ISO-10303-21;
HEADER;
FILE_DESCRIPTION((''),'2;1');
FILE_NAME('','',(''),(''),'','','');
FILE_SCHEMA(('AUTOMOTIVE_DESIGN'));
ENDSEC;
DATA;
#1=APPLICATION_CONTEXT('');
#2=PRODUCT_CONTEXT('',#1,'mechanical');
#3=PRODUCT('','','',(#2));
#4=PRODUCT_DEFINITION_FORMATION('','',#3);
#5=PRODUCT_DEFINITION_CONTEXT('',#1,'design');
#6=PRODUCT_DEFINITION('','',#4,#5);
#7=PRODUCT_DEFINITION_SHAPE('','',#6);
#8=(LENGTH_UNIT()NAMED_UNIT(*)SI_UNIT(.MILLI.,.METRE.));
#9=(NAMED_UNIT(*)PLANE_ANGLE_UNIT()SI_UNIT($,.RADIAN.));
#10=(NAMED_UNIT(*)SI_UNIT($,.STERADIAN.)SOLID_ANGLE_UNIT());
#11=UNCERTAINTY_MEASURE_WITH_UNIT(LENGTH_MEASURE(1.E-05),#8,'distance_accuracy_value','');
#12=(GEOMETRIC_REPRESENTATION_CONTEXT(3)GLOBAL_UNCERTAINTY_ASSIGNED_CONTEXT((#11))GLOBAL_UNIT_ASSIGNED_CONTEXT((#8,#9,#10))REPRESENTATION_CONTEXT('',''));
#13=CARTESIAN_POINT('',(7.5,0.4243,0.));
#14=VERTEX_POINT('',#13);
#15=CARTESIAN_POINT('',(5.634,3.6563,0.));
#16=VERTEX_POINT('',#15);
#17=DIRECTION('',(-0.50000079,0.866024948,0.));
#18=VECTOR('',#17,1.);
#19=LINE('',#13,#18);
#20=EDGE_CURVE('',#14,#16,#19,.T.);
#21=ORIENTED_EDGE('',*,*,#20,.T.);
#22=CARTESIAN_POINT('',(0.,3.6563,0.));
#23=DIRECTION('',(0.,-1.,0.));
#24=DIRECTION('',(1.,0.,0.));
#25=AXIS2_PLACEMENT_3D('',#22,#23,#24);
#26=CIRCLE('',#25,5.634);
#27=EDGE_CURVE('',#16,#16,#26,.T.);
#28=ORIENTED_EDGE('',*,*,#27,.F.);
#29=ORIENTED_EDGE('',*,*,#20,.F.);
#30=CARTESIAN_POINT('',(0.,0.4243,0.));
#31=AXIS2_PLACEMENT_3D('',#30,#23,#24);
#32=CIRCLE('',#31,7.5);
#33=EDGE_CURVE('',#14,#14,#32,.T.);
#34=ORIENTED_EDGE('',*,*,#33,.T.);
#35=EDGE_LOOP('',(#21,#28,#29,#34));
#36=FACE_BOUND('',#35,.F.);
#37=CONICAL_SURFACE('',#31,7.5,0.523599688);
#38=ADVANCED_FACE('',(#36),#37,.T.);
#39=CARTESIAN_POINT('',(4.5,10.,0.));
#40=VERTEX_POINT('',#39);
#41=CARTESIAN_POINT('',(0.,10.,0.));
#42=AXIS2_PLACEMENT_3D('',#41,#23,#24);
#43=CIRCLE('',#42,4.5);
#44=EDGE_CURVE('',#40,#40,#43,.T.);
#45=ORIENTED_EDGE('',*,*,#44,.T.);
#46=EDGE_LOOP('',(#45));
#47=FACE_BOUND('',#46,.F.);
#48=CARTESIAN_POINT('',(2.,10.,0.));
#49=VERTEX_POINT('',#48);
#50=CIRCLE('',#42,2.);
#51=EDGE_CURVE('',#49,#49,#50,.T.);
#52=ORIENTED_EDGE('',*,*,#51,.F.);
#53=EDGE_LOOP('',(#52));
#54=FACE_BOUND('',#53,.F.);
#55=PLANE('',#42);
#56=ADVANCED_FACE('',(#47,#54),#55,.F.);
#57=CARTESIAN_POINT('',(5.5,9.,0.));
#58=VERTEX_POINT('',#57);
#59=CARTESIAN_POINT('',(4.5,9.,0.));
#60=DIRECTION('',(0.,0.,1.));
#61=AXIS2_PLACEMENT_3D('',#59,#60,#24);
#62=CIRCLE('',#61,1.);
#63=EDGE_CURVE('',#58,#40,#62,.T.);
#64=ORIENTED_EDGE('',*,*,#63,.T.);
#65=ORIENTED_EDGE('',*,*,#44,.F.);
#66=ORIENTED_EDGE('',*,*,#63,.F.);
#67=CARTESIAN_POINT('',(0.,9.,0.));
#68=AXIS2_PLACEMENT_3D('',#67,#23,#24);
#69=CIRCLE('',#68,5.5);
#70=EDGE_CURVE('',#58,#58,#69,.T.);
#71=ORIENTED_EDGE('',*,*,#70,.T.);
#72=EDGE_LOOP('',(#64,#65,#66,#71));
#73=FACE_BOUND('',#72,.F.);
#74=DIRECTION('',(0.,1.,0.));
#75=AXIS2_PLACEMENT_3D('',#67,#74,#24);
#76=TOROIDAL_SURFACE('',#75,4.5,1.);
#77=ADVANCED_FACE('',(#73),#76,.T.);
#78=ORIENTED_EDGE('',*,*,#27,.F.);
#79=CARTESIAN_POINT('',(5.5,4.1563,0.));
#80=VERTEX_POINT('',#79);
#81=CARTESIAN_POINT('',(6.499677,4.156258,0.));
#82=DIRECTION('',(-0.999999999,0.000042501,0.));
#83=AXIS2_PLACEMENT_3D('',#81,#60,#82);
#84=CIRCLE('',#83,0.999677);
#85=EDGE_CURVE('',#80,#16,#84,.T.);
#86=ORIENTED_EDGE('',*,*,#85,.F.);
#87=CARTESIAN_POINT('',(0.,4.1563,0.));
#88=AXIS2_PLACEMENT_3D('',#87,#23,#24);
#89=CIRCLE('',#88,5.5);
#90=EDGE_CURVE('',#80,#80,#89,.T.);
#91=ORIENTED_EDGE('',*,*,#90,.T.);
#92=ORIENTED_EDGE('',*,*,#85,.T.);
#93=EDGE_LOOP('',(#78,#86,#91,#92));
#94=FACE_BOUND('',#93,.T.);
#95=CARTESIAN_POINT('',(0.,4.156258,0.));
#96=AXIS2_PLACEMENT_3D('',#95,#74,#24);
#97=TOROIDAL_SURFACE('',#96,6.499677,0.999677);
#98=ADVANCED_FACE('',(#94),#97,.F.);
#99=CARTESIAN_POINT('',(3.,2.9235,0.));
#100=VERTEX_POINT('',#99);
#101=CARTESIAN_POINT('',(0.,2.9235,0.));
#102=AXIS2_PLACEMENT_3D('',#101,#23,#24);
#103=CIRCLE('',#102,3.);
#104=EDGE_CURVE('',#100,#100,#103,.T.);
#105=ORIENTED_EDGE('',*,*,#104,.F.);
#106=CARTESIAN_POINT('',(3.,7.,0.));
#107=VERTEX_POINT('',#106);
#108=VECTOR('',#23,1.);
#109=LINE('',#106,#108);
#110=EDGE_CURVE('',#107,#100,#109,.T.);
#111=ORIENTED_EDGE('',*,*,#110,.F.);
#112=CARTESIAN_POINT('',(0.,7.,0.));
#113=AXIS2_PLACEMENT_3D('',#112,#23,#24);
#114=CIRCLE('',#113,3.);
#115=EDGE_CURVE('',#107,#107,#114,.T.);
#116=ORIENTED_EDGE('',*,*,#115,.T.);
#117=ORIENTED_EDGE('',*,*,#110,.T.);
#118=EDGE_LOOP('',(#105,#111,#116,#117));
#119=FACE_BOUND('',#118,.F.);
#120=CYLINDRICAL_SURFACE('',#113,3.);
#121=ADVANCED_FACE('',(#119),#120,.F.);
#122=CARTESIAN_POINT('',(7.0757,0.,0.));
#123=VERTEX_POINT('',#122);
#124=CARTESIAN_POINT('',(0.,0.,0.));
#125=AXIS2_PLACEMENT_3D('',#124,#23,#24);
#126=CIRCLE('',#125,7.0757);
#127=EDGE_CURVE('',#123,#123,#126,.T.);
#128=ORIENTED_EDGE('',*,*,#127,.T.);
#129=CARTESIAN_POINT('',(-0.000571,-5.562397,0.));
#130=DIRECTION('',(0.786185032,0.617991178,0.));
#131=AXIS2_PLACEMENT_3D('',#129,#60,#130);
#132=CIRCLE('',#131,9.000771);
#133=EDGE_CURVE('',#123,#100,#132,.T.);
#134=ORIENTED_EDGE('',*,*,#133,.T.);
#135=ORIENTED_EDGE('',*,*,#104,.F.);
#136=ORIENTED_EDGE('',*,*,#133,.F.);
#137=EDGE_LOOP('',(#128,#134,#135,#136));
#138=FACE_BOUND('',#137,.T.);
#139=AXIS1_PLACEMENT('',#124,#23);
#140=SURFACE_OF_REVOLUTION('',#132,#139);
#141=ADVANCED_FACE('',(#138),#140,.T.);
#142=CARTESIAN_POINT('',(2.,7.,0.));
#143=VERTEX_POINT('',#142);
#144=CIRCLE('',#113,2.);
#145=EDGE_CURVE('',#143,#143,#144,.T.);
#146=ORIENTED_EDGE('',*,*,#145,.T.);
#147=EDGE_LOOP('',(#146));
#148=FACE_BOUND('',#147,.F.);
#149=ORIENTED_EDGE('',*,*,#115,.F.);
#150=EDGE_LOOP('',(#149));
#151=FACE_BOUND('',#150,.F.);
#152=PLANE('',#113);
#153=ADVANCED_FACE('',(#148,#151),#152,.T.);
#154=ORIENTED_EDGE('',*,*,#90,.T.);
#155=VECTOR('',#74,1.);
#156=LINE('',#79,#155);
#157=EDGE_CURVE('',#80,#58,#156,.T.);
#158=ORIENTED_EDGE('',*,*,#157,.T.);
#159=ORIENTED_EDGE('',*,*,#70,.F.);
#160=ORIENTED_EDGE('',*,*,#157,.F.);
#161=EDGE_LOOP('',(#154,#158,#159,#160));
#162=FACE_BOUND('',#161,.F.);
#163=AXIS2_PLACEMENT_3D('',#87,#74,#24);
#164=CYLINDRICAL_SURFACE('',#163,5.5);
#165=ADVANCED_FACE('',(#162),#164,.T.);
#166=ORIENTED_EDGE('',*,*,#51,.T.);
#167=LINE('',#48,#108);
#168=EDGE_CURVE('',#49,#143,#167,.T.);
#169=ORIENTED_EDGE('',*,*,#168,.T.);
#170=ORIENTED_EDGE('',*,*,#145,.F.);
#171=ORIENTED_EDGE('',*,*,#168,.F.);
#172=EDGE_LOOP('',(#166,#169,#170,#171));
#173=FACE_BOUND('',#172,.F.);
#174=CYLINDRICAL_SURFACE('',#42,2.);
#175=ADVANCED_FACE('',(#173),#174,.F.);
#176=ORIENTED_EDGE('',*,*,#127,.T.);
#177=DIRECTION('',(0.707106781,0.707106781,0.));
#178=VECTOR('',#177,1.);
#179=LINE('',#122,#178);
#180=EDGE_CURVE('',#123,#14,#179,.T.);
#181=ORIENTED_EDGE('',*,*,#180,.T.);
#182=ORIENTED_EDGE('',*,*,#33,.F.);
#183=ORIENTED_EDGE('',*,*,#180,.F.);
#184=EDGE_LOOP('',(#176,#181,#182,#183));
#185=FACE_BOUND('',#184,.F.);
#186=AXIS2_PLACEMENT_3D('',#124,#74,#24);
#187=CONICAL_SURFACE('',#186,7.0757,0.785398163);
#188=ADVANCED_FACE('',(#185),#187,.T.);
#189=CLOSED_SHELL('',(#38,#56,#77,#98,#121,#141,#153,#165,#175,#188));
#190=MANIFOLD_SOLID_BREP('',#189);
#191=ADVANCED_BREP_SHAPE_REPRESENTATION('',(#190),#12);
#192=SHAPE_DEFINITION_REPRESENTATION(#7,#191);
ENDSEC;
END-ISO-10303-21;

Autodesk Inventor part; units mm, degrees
sketch "Sketch_1" plane through (0, 0, 0) normal (0, 0, 1) x (1, 0, 0)
  line L0 (0, 0) -> (0, 10)
  line L1 (2, 7) -> (3, 7)
  line L2 (3, 7) -> (3, 2.9235)
  arc A0 (7.0757, 0) -> (3, 2.9235) centre (0, -5.5618) ccw
  line L3 (7.0757, 0) -> (7.5, 0.4243)
  line L4 (7.5, 0.4243) -> (5.634, 3.6563)
  arc A1 (5.5, 4.1563) -> (5.634, 3.6563) centre (6.5, 4.1563) ccw
  line L5 (5.5, 4.1563) -> (5.5, 9)
  arc A2 (5.5, 9) -> (4.5, 10) centre (4.5, 9) ccw
  line L6 (4.5, 10) -> (2, 10)
  line L7 (2, 10) -> (2, 7)
revolve "Revolution1" add sketch "Sketch_1" angle 360 about axis through (0, 0, 0) along (0, -1, 0)
ref_plane "IP_dummy_XY" through (0, 0, 0) normal (0, 1, 0) x (1, 0, 0)
ref_plane "IP_dummy_YZ" through (0, 0, 0) normal (1, 0, 0) x (0, 0, -1)
ref_plane "IP_dummy_ZX" through (0, 0, 0) normal (0, 0, -1) x (0, 1, 0)
ref_plane "IP_screw_XY" through (0, 7, 0) normal (0, 1, 0) x (1, 0, 0)
ref_plane "IP_screw_YZ" through (0, 7, 0) normal (1, 0, 0) x (0, 0, -1)
ref_plane "IP_screw_ZX" through (0, 7, 0) normal (0, 0, -1) x (0, 1, 0)
properties part number "VP15AS"
